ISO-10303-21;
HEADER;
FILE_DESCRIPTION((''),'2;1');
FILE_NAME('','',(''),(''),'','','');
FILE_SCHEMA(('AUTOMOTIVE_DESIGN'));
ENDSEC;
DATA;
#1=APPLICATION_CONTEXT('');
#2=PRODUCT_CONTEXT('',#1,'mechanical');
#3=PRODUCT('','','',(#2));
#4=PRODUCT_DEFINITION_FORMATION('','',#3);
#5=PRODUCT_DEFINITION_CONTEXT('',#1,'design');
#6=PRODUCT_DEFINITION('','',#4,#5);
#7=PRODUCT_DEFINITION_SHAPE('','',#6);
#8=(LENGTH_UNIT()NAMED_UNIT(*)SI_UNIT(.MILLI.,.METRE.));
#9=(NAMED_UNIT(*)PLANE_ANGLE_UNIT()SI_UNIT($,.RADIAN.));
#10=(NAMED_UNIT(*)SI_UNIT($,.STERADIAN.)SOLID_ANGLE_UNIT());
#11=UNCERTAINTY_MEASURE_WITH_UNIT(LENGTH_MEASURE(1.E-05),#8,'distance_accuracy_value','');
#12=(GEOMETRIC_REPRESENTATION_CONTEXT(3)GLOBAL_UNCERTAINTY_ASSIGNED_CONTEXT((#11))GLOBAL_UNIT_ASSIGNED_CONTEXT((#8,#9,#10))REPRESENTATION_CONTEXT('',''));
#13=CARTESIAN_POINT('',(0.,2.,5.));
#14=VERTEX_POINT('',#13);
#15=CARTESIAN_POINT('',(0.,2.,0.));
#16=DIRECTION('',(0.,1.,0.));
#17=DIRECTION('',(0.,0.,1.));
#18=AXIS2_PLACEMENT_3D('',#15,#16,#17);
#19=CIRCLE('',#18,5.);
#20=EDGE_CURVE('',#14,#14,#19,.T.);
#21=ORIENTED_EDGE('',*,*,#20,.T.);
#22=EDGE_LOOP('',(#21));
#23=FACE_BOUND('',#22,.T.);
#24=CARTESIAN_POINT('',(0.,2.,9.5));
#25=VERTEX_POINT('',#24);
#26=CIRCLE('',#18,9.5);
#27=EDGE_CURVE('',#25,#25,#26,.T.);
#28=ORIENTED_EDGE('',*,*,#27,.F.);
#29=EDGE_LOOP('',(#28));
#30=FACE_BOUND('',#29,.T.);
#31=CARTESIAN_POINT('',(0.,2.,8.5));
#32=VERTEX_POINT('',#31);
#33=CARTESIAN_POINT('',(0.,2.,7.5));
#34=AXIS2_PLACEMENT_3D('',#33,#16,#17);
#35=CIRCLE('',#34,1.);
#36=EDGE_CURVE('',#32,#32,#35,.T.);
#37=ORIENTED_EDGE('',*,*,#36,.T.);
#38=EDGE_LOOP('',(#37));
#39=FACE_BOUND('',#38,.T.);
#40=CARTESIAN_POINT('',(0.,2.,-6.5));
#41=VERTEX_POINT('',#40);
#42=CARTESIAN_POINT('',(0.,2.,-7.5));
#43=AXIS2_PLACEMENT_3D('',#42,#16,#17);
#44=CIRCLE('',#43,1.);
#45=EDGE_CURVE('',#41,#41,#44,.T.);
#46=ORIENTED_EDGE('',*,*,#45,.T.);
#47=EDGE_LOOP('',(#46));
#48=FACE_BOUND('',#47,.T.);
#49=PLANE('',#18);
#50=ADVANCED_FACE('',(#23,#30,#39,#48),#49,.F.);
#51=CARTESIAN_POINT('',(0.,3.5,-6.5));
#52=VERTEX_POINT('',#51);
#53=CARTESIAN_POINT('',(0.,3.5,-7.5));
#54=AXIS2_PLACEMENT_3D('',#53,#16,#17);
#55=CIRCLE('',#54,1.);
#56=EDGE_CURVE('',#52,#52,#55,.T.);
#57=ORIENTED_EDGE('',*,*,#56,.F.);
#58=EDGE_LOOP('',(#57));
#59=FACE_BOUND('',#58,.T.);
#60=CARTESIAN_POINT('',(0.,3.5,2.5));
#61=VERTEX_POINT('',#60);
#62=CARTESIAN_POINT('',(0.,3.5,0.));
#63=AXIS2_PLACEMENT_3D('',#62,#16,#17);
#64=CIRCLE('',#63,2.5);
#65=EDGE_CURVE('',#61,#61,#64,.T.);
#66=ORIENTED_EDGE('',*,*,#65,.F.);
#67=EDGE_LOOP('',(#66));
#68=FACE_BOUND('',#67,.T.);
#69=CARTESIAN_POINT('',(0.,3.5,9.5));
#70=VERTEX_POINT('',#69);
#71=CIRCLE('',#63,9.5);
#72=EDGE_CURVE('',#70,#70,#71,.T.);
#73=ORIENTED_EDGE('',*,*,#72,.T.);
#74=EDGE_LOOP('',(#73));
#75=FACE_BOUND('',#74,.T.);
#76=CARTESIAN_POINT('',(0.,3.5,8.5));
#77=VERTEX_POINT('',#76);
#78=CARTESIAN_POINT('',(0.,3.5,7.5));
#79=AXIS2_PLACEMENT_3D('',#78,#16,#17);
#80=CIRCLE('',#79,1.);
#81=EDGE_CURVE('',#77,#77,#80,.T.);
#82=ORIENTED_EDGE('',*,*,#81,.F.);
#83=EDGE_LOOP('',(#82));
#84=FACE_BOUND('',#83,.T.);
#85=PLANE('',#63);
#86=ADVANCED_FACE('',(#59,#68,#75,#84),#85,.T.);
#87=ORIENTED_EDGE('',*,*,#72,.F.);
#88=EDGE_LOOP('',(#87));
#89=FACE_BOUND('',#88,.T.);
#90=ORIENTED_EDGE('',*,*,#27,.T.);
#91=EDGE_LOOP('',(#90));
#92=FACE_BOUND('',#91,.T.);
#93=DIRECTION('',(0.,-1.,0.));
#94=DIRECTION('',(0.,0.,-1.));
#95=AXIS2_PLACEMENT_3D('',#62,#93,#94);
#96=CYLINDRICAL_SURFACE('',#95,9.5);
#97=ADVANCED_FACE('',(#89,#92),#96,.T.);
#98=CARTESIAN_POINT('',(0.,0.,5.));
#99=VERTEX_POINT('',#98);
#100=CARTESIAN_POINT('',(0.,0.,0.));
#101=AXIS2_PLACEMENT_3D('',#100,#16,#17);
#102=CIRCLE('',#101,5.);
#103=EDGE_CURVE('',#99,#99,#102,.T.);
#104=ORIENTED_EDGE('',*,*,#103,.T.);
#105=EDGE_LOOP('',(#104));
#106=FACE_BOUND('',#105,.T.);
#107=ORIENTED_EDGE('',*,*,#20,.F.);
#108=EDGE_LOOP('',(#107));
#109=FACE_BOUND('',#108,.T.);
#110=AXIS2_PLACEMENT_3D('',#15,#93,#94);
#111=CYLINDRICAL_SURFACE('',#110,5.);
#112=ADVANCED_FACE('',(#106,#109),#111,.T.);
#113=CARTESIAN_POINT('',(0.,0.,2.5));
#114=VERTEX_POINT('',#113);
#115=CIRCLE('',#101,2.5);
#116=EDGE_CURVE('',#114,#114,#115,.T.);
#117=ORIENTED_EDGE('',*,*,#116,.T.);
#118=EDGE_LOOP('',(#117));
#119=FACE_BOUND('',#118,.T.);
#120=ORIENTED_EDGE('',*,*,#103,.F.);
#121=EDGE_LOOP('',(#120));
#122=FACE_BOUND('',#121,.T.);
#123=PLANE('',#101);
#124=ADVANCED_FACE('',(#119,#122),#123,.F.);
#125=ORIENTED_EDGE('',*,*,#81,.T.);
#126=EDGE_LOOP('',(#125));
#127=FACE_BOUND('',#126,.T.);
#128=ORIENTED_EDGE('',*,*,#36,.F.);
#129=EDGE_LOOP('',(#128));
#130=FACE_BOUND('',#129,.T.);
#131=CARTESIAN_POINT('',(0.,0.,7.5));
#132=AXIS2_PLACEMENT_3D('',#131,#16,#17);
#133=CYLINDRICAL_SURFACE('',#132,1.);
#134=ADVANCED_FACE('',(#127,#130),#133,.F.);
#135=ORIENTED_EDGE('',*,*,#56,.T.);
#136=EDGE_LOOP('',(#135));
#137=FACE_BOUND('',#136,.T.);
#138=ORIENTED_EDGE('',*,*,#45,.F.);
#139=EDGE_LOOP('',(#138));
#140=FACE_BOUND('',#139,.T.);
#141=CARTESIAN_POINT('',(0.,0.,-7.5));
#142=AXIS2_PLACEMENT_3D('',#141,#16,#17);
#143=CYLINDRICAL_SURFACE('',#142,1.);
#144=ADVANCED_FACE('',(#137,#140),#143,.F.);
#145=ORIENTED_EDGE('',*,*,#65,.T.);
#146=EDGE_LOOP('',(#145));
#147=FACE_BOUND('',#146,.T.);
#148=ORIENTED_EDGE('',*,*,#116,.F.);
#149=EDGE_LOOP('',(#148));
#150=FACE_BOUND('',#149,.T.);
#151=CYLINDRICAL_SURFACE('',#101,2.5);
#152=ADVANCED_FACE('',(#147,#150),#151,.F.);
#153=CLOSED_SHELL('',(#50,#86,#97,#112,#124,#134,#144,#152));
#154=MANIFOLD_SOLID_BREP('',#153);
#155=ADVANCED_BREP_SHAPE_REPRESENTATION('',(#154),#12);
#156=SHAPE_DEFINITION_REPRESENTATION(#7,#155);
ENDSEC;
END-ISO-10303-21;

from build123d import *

# Parameters (mm, degrees)
ESQUISSE1_R      = 5
EXTRUSION1_DEPTH = 2
ESQUISSE2_R      = 9.5
EXTRUSION2_DEPTH = 1.5
ESQUISSE3_R      = 2.5
ESQUISSE3_R_2    = 1
EXTRUSION3_DEPTH = 14.883443377


with BuildPart() as part:
    # Esquisse1 → Extrusion1 (new body)
    with BuildSketch(Plane(origin=(0, 0, 0), x_dir=(1, 0, 0), z_dir=(0, 1, 0))):
        with Locations(Location((0, 0, 0), (0, 0, 270))):
            Circle(ESQUISSE1_R)
    extrude(amount=EXTRUSION1_DEPTH)

    # Esquisse2 → Extrusion2 (add)
    with BuildSketch(Plane(origin=(0, 2, 0), x_dir=(-1, 0, 0), z_dir=(0, 1, 0))):
        with Locations(Location((0, 0, 0), (0, 0, 90))):
            Circle(ESQUISSE2_R)
    extrude(amount=EXTRUSION2_DEPTH)

    # Esquisse3 → Extrusion3 (cut, through all)
    with BuildSketch(Plane(origin=(0, 3.5, 0), x_dir=(-1, 0, 0), z_dir=(0, 1, 0))):
        with Locations(Location((0, 0, 0), (0, 0, 90))):
            Circle(ESQUISSE3_R)
        with Locations(Location((0, -7.5, 0), (0, 0, 90))):
            Circle(ESQUISSE3_R_2)
        with Locations(Location((0, 7.5, 0), (0, 0, 90))):
            Circle(ESQUISSE3_R_2)
    extrude(amount=-EXTRUSION3_DEPTH, mode=Mode.SUBTRACT)


solid = part.part
